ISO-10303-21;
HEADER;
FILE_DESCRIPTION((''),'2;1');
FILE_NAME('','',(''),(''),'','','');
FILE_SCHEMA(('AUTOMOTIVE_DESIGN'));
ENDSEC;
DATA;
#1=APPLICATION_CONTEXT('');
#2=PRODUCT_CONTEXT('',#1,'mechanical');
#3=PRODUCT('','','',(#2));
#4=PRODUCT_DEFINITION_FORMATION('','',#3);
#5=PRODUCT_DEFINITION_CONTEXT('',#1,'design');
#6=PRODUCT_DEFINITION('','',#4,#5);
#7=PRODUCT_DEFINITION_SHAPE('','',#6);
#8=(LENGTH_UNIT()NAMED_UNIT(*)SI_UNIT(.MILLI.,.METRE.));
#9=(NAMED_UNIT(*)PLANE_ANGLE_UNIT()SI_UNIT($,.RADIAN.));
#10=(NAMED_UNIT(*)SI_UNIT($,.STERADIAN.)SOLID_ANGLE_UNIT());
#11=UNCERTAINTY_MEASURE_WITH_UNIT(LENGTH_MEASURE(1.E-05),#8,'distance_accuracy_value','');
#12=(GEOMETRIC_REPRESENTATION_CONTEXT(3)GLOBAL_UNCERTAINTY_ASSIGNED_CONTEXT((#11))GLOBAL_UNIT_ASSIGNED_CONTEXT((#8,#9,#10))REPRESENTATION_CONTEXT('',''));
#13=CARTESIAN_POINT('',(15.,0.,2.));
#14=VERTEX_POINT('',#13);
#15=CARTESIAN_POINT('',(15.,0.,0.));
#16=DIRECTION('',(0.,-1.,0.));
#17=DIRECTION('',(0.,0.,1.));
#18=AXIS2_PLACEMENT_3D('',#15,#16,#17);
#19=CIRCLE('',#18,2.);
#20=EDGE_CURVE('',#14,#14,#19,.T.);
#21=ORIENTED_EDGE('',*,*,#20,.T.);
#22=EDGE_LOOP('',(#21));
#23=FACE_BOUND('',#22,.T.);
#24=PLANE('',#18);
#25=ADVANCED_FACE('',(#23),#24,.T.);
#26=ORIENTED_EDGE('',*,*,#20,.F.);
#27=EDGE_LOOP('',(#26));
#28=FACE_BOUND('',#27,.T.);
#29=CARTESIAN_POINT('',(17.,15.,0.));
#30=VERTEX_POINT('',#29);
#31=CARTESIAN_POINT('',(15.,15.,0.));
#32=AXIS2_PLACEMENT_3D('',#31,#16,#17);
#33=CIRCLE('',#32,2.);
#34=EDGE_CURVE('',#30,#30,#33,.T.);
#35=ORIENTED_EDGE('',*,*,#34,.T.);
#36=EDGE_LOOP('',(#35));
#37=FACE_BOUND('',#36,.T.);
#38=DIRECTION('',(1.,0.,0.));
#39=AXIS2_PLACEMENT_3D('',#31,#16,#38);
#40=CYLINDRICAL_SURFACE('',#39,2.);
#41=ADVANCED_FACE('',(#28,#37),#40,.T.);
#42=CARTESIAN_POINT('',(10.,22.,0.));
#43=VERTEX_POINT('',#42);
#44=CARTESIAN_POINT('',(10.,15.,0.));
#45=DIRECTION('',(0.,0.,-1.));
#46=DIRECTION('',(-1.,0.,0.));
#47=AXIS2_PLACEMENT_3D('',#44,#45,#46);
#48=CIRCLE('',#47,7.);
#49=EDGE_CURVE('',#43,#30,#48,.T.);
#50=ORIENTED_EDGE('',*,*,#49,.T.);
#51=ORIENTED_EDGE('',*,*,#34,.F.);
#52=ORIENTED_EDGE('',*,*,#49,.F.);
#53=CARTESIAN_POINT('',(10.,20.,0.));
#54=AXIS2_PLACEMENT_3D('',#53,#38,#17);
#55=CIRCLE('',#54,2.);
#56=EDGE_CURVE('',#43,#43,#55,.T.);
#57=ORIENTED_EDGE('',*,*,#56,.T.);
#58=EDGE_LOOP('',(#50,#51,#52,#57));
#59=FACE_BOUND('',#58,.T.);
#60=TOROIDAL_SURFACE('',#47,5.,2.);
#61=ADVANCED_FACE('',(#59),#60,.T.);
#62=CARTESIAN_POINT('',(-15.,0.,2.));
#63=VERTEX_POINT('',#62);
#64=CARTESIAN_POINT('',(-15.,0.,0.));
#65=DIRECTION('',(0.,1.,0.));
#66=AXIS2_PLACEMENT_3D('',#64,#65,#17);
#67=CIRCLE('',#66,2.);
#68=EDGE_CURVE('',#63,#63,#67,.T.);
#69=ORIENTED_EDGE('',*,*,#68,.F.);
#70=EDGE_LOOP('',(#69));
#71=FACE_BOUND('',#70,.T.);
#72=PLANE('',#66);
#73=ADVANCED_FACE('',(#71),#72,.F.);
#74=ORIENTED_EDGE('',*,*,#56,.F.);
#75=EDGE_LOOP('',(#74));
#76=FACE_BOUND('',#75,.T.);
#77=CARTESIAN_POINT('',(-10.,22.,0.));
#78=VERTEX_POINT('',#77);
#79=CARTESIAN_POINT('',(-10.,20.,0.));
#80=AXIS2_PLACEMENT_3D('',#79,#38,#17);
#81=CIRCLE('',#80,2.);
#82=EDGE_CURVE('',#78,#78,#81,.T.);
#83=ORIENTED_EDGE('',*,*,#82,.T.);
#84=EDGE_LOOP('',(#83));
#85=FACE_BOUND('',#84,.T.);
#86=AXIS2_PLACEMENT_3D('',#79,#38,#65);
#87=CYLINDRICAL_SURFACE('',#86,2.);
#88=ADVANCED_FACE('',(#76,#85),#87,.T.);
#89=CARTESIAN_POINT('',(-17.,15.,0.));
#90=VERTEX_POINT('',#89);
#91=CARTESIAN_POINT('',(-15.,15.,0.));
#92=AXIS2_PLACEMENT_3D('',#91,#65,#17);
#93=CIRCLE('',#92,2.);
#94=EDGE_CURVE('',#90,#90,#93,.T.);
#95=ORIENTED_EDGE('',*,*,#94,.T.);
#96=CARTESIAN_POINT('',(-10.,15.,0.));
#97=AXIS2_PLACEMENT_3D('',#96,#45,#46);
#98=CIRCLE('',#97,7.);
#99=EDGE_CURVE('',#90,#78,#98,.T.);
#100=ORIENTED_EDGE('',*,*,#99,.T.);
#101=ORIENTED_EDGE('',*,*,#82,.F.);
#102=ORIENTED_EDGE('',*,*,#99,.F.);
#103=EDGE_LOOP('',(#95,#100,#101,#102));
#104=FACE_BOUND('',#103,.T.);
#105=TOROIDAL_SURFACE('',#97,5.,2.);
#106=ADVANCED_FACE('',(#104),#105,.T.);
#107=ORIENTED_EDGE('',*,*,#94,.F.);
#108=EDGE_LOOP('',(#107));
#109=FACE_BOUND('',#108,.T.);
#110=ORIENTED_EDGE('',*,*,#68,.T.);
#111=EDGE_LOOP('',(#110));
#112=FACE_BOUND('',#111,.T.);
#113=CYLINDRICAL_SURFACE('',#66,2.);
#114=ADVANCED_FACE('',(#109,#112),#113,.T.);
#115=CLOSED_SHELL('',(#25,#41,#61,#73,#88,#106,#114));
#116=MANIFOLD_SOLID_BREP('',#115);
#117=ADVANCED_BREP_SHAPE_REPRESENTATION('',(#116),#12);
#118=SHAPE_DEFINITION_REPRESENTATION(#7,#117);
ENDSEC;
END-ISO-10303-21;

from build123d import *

# Parameters (mm, degrees)
CROQUIS2_R = 2


with BuildPart() as part:
    # Barrer1: sweep along a path in Croquis1
    with BuildLine(Plane.XY) as barrer1_path:
        Line((-15, 0), (-15, 15))
        ThreePointArc((-15, 15), (-13.535533906, 18.535533906), (-10, 20))
        Line((-10, 20), (10, 20))
        ThreePointArc((10, 20), (13.535533906, 18.535533906), (15, 15))
        Line((15, 15), (15, 0))
    # Croquis2 → Barrer1 (sweep)
    with BuildSketch(Plane(origin=(0, 0, 0), x_dir=(1, 0, 0), z_dir=(0, 1, 0))):
        with Locations((-15, 0)):
            Circle(CROQUIS2_R)
    sweep(path=barrer1_path.line)


solid = part.part
